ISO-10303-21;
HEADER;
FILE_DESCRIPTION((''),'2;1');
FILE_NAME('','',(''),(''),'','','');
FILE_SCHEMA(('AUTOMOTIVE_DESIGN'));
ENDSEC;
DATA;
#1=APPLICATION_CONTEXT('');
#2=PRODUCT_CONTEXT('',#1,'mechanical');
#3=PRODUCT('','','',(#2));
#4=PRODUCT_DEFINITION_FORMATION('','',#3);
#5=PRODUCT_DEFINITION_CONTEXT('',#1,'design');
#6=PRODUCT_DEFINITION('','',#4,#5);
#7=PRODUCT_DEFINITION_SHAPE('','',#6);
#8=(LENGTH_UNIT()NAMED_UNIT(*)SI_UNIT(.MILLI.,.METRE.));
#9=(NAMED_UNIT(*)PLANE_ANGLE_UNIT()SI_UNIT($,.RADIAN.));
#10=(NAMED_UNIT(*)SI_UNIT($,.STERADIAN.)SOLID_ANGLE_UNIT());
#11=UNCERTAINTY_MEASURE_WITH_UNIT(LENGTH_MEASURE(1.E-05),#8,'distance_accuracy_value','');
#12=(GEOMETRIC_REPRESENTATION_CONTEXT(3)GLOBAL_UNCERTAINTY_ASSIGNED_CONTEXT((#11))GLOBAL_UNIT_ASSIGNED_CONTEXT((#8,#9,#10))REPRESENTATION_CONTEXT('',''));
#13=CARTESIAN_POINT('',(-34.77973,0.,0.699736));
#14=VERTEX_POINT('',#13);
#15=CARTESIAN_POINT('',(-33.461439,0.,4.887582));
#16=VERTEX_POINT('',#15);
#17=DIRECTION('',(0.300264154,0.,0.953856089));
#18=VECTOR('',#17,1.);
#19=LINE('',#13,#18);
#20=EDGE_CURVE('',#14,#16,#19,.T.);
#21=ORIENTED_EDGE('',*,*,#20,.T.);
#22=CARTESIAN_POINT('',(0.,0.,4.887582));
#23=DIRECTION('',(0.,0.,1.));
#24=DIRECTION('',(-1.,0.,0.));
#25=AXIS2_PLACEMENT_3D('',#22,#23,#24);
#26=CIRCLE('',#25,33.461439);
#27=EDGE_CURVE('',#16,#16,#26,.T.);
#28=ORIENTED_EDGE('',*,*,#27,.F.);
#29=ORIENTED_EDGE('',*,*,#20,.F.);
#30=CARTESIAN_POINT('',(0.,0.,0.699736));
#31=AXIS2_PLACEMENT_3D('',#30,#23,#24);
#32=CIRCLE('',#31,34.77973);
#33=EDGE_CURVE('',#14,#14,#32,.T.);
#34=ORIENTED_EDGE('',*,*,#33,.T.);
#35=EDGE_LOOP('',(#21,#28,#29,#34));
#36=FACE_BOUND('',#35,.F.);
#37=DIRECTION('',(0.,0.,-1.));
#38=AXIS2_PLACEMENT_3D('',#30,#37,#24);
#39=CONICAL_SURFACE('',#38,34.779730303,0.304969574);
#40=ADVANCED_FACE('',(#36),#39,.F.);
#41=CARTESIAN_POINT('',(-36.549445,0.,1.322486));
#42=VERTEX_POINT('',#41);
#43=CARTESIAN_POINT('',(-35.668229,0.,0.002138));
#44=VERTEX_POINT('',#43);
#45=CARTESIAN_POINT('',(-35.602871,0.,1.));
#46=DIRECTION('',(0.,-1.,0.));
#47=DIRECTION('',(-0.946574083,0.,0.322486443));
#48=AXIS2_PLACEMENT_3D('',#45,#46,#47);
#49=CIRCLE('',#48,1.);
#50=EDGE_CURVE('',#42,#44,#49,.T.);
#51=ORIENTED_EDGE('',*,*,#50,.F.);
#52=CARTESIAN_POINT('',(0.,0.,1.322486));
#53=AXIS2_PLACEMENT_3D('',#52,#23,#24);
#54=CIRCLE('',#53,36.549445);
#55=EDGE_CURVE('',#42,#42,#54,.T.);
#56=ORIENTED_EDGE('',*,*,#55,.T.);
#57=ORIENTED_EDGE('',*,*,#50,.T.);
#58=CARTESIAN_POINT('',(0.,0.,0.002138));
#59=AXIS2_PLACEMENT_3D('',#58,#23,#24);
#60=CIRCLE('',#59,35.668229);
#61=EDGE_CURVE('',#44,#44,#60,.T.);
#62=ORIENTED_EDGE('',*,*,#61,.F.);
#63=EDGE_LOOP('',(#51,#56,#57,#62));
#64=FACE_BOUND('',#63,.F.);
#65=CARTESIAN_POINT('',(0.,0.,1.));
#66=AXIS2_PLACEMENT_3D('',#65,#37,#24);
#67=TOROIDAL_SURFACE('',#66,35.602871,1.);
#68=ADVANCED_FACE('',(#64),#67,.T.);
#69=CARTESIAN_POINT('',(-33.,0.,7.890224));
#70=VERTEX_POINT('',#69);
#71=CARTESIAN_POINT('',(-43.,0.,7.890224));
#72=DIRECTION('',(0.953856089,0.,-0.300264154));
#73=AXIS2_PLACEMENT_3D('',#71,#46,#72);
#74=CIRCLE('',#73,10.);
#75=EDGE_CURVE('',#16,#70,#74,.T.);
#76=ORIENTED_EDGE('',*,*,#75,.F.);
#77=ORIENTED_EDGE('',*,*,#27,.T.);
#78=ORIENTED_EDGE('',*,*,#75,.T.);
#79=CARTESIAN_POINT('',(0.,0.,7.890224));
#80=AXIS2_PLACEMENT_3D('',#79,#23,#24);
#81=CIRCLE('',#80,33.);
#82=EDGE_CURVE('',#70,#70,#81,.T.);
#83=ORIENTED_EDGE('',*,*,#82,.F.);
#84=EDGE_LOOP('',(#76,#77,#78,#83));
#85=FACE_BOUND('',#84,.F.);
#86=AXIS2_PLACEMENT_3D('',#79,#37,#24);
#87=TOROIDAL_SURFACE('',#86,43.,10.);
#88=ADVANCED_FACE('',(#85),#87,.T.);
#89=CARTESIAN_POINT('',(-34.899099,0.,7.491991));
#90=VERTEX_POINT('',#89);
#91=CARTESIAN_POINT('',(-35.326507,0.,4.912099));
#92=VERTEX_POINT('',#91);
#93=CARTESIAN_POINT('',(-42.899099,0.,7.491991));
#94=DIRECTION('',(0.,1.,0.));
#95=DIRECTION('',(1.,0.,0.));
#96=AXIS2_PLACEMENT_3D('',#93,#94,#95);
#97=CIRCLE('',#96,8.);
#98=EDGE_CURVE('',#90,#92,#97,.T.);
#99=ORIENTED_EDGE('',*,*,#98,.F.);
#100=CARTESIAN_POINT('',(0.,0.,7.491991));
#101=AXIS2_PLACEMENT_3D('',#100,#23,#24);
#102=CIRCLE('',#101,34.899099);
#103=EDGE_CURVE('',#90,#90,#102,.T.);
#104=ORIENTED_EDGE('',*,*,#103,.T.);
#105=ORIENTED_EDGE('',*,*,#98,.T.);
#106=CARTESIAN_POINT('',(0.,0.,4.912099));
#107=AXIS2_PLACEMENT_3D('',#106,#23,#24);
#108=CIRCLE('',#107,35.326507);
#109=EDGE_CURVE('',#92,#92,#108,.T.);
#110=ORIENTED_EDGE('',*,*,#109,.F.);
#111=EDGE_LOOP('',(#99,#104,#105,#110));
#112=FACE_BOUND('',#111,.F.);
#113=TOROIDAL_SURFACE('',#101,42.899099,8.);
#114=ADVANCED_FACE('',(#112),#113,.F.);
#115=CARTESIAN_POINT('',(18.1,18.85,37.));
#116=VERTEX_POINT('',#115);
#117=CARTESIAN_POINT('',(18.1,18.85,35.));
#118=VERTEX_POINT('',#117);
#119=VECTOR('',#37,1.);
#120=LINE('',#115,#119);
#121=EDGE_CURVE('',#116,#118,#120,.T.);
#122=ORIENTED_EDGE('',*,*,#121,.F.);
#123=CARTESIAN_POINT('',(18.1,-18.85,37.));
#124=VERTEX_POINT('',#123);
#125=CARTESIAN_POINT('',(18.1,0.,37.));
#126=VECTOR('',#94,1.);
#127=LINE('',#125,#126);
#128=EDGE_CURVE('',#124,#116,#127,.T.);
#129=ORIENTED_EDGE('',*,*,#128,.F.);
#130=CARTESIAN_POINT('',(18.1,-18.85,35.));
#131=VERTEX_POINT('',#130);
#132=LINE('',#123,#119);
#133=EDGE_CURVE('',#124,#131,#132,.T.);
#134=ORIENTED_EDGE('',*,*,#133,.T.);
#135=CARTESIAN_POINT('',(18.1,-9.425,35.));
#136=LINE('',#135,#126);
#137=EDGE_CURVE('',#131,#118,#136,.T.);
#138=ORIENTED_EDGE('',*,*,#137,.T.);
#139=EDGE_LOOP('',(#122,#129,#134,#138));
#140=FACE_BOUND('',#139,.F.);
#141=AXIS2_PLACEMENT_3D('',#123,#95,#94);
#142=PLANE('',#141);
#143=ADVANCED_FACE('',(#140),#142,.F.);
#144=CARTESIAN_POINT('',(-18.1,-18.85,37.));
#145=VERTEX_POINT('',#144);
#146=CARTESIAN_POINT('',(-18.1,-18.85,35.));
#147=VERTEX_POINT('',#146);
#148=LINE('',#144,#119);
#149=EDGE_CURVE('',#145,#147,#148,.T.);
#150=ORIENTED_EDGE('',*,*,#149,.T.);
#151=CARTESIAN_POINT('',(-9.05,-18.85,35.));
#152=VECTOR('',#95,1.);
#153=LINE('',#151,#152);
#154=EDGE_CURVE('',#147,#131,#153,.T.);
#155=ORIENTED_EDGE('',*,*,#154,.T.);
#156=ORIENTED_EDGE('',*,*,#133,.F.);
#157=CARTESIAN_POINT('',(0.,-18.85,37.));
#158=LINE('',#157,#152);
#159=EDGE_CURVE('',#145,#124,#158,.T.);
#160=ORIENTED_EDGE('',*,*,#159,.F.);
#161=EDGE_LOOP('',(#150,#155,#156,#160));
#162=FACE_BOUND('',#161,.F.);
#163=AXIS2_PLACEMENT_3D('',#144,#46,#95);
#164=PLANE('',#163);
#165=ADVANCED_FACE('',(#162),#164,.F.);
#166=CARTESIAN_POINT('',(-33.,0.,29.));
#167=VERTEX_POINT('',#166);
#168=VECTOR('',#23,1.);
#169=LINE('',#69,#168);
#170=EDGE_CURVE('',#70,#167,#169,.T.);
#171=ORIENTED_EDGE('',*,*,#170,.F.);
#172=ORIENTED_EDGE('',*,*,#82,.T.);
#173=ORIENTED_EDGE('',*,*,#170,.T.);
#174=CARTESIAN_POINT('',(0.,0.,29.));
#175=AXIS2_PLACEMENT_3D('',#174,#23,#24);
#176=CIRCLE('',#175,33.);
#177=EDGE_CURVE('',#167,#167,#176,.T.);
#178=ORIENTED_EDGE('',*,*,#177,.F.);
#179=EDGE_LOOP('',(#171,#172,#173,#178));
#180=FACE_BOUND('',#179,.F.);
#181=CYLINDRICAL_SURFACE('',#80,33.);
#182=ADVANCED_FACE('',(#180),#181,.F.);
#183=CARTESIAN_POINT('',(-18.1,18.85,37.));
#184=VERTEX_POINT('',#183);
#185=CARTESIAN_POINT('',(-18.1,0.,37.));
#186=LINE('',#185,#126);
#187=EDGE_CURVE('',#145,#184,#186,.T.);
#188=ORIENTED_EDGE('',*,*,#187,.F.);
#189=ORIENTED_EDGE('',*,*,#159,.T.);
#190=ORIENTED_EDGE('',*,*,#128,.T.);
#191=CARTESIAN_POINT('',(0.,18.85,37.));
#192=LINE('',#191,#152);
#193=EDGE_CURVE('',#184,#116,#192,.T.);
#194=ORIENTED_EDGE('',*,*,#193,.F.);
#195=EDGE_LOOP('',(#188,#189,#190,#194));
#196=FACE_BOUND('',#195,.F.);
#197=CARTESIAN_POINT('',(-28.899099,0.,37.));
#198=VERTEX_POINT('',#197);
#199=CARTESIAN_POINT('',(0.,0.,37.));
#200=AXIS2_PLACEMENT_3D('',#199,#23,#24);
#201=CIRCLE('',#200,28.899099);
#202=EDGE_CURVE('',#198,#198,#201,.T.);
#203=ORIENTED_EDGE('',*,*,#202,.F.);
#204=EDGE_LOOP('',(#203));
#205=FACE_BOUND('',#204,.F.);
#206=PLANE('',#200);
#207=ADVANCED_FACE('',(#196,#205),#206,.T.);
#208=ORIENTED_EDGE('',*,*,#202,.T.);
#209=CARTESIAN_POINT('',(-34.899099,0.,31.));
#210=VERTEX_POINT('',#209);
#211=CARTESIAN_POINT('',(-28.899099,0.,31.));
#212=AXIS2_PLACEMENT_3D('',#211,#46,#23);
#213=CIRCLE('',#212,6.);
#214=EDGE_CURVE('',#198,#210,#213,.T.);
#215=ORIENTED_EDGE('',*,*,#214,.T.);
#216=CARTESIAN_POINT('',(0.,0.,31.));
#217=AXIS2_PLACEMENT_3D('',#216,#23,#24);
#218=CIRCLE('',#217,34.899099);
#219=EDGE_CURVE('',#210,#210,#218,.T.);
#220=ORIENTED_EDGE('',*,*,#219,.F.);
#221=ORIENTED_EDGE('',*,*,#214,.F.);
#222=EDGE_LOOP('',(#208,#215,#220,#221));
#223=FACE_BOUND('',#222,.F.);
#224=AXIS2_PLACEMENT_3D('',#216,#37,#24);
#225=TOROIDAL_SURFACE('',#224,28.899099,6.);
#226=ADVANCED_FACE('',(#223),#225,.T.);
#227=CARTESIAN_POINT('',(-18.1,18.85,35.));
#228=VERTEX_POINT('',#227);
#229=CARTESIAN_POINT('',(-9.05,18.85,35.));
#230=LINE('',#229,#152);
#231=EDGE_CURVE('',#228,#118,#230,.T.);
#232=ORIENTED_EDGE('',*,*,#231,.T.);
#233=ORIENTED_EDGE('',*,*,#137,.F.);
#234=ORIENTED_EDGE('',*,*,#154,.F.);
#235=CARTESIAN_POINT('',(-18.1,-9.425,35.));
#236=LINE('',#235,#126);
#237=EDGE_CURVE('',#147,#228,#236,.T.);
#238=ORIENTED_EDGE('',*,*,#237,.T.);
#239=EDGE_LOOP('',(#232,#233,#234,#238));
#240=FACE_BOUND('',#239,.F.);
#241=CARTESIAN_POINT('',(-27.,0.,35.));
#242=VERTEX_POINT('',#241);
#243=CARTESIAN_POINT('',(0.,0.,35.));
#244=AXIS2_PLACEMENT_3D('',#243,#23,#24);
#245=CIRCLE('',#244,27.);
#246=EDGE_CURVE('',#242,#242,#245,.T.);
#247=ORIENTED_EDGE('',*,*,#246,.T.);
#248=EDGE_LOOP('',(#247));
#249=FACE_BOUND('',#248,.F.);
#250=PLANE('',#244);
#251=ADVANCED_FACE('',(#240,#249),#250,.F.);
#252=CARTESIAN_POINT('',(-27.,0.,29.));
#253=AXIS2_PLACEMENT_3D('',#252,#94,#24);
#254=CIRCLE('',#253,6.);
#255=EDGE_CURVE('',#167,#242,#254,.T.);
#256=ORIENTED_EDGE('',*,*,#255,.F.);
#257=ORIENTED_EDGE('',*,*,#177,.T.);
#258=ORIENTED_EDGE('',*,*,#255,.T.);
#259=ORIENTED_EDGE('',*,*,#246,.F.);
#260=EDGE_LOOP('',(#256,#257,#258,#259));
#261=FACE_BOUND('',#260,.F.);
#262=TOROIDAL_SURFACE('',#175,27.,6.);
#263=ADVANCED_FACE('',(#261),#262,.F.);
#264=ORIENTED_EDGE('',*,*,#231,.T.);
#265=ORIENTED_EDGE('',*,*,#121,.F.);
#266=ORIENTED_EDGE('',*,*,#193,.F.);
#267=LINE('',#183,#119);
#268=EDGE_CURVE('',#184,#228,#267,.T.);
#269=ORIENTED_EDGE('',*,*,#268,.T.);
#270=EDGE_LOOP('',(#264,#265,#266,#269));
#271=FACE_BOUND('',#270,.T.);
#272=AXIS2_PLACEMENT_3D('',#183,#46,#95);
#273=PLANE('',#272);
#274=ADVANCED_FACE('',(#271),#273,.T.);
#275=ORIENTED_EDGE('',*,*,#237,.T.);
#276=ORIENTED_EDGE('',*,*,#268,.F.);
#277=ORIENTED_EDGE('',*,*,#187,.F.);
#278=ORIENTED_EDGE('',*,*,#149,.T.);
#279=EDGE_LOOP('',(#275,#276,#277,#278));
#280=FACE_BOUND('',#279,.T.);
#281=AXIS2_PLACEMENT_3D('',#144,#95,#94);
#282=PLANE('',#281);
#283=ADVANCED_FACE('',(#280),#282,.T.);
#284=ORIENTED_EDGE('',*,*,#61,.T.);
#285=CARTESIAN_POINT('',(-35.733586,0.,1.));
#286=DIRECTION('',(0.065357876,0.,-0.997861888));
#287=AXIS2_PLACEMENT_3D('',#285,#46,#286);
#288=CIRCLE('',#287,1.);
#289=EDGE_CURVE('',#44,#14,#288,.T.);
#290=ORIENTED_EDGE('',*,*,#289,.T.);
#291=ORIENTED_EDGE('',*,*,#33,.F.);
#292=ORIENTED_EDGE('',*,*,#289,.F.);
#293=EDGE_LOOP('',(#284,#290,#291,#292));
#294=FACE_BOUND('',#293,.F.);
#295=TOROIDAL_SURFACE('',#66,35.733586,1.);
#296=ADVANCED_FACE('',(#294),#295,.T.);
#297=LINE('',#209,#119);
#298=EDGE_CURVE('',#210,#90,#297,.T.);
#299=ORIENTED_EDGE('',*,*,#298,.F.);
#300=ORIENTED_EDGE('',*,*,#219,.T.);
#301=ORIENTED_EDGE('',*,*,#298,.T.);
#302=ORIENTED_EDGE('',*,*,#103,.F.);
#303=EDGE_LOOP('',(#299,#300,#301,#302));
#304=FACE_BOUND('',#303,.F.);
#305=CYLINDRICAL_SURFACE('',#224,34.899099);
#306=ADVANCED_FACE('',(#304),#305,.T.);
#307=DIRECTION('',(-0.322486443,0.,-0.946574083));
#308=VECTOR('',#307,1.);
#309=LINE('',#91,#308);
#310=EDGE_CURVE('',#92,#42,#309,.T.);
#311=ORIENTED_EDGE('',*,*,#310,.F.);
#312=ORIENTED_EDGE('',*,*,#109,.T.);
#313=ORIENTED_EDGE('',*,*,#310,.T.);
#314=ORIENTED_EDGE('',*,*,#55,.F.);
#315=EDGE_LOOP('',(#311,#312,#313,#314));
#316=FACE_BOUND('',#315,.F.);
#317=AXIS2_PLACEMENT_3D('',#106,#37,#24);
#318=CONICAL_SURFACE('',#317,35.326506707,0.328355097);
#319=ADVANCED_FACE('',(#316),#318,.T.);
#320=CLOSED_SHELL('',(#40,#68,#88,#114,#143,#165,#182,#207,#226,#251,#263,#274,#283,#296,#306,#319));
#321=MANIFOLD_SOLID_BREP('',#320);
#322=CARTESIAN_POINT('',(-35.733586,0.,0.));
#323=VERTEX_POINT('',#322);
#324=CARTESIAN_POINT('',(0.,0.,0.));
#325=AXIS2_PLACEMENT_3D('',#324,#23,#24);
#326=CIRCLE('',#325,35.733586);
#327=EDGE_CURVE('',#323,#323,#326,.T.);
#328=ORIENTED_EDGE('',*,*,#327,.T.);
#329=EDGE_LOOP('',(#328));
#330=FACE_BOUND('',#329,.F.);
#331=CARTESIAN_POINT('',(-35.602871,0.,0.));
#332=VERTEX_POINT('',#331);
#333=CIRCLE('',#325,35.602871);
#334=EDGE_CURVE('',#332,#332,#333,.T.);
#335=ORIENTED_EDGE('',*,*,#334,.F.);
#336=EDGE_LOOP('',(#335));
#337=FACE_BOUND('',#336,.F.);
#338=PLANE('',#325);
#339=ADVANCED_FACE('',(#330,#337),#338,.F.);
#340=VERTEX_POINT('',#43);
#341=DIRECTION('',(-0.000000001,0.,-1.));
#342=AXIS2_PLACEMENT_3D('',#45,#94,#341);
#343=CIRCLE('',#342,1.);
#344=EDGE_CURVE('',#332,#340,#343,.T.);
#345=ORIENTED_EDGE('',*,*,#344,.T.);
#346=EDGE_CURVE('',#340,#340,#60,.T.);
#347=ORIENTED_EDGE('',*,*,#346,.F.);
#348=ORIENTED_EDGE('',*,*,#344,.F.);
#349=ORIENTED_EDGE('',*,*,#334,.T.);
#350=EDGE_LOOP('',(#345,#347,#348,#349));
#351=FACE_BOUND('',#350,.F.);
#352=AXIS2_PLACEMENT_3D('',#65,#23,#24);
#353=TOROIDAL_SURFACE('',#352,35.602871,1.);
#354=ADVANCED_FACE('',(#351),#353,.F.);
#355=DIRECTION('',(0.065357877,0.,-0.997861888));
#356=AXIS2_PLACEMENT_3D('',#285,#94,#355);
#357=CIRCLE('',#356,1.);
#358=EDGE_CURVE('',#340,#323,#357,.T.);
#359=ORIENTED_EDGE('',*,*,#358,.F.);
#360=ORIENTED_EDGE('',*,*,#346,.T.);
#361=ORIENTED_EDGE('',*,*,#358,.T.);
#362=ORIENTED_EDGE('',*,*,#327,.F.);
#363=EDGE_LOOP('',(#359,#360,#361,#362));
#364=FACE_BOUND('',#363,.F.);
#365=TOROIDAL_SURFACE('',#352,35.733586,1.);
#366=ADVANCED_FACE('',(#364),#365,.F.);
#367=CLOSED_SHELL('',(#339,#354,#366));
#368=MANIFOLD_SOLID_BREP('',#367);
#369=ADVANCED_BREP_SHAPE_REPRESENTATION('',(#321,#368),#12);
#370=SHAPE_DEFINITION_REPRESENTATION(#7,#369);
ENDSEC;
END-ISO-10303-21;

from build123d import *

# Parameters (mm, degrees)
F3_W     = 36.2
F3_H     = 37.7
F4_DEPTH = 25


with BuildPart() as f2:
    # F0 (on Front) → F2 (revolve)
    with BuildSketch(Plane.XZ):
        with BuildLine():
            ThreePointArc((-35.602870639, 0), (-35.635567059, 0.0005346709), (-35.6682285154, 0.0021381118))
            ThreePointArc((-35.6682285154, 0.0021381118), (-35.7008899718, 0.0005346709), (-35.7335863918, 0))
            Line((-35.7335863918, 0), (-35.602870639, 0))
        make_face()
    revolve(axis=Axis((0, 0, 18.1012302637), (0, 0, 1)))


with BuildPart() as f2b:
    # F0 (on Front) → F2, piece 2 (revolve)
    with BuildSketch(Plane.XZ):
        with BuildLine():
            Line((-27, 35), (0, 35))
            Line((0, 35), (0, 37))
            Line((0, 37), (-28.8990993685, 37))
            ThreePointArc((-28.8990993685, 37), (-33.1417400556, 35.2426406871), (-34.8990993685, 31))
            Line((-34.8990993685, 31), (-34.8990993685, 7.4919906787))
            ThreePointArc((-34.8990993685, 7.4919906787), (-35.0066744785, 6.1844627227), (-35.3265067074, 4.9120991327))
            Line((-35.3265067074, 4.9120991327), (-36.5494447216, 1.3224864433))
            ThreePointArc((-36.5494447216, 1.3224864433), (-36.434634729, 0.4448707372), (-35.6682285154, 0.0021381118))
            ThreePointArc((-35.6682285154, 0.0021381118), (-35.1160429305, 0.2134632409), (-34.779730303, 0.6997358465))
            Line((-34.779730303, 0.6997358465), (-33.4614391122, 4.8875819961))
            ThreePointArc((-33.4614391122, 4.8875819961), (-33.1160329604, 6.3712779889), (-33, 7.8902235313))
            Line((-33, 7.8902235313), (-33, 29))
            ThreePointArc((-33, 29), (-31.2426406871, 33.2426406871), (-27, 35))
        make_face()
    revolve(axis=Axis((0, 0, 18.1012302637), (0, 0, 1)))

    # F3 (on face) → F4 (cut)
    with BuildSketch(Plane.XY.offset(37)):
        Rectangle(F3_W, F3_H)
    extrude(amount=-F4_DEPTH, mode=Mode.SUBTRACT)


solid = Compound([f2.part, f2b.part])
